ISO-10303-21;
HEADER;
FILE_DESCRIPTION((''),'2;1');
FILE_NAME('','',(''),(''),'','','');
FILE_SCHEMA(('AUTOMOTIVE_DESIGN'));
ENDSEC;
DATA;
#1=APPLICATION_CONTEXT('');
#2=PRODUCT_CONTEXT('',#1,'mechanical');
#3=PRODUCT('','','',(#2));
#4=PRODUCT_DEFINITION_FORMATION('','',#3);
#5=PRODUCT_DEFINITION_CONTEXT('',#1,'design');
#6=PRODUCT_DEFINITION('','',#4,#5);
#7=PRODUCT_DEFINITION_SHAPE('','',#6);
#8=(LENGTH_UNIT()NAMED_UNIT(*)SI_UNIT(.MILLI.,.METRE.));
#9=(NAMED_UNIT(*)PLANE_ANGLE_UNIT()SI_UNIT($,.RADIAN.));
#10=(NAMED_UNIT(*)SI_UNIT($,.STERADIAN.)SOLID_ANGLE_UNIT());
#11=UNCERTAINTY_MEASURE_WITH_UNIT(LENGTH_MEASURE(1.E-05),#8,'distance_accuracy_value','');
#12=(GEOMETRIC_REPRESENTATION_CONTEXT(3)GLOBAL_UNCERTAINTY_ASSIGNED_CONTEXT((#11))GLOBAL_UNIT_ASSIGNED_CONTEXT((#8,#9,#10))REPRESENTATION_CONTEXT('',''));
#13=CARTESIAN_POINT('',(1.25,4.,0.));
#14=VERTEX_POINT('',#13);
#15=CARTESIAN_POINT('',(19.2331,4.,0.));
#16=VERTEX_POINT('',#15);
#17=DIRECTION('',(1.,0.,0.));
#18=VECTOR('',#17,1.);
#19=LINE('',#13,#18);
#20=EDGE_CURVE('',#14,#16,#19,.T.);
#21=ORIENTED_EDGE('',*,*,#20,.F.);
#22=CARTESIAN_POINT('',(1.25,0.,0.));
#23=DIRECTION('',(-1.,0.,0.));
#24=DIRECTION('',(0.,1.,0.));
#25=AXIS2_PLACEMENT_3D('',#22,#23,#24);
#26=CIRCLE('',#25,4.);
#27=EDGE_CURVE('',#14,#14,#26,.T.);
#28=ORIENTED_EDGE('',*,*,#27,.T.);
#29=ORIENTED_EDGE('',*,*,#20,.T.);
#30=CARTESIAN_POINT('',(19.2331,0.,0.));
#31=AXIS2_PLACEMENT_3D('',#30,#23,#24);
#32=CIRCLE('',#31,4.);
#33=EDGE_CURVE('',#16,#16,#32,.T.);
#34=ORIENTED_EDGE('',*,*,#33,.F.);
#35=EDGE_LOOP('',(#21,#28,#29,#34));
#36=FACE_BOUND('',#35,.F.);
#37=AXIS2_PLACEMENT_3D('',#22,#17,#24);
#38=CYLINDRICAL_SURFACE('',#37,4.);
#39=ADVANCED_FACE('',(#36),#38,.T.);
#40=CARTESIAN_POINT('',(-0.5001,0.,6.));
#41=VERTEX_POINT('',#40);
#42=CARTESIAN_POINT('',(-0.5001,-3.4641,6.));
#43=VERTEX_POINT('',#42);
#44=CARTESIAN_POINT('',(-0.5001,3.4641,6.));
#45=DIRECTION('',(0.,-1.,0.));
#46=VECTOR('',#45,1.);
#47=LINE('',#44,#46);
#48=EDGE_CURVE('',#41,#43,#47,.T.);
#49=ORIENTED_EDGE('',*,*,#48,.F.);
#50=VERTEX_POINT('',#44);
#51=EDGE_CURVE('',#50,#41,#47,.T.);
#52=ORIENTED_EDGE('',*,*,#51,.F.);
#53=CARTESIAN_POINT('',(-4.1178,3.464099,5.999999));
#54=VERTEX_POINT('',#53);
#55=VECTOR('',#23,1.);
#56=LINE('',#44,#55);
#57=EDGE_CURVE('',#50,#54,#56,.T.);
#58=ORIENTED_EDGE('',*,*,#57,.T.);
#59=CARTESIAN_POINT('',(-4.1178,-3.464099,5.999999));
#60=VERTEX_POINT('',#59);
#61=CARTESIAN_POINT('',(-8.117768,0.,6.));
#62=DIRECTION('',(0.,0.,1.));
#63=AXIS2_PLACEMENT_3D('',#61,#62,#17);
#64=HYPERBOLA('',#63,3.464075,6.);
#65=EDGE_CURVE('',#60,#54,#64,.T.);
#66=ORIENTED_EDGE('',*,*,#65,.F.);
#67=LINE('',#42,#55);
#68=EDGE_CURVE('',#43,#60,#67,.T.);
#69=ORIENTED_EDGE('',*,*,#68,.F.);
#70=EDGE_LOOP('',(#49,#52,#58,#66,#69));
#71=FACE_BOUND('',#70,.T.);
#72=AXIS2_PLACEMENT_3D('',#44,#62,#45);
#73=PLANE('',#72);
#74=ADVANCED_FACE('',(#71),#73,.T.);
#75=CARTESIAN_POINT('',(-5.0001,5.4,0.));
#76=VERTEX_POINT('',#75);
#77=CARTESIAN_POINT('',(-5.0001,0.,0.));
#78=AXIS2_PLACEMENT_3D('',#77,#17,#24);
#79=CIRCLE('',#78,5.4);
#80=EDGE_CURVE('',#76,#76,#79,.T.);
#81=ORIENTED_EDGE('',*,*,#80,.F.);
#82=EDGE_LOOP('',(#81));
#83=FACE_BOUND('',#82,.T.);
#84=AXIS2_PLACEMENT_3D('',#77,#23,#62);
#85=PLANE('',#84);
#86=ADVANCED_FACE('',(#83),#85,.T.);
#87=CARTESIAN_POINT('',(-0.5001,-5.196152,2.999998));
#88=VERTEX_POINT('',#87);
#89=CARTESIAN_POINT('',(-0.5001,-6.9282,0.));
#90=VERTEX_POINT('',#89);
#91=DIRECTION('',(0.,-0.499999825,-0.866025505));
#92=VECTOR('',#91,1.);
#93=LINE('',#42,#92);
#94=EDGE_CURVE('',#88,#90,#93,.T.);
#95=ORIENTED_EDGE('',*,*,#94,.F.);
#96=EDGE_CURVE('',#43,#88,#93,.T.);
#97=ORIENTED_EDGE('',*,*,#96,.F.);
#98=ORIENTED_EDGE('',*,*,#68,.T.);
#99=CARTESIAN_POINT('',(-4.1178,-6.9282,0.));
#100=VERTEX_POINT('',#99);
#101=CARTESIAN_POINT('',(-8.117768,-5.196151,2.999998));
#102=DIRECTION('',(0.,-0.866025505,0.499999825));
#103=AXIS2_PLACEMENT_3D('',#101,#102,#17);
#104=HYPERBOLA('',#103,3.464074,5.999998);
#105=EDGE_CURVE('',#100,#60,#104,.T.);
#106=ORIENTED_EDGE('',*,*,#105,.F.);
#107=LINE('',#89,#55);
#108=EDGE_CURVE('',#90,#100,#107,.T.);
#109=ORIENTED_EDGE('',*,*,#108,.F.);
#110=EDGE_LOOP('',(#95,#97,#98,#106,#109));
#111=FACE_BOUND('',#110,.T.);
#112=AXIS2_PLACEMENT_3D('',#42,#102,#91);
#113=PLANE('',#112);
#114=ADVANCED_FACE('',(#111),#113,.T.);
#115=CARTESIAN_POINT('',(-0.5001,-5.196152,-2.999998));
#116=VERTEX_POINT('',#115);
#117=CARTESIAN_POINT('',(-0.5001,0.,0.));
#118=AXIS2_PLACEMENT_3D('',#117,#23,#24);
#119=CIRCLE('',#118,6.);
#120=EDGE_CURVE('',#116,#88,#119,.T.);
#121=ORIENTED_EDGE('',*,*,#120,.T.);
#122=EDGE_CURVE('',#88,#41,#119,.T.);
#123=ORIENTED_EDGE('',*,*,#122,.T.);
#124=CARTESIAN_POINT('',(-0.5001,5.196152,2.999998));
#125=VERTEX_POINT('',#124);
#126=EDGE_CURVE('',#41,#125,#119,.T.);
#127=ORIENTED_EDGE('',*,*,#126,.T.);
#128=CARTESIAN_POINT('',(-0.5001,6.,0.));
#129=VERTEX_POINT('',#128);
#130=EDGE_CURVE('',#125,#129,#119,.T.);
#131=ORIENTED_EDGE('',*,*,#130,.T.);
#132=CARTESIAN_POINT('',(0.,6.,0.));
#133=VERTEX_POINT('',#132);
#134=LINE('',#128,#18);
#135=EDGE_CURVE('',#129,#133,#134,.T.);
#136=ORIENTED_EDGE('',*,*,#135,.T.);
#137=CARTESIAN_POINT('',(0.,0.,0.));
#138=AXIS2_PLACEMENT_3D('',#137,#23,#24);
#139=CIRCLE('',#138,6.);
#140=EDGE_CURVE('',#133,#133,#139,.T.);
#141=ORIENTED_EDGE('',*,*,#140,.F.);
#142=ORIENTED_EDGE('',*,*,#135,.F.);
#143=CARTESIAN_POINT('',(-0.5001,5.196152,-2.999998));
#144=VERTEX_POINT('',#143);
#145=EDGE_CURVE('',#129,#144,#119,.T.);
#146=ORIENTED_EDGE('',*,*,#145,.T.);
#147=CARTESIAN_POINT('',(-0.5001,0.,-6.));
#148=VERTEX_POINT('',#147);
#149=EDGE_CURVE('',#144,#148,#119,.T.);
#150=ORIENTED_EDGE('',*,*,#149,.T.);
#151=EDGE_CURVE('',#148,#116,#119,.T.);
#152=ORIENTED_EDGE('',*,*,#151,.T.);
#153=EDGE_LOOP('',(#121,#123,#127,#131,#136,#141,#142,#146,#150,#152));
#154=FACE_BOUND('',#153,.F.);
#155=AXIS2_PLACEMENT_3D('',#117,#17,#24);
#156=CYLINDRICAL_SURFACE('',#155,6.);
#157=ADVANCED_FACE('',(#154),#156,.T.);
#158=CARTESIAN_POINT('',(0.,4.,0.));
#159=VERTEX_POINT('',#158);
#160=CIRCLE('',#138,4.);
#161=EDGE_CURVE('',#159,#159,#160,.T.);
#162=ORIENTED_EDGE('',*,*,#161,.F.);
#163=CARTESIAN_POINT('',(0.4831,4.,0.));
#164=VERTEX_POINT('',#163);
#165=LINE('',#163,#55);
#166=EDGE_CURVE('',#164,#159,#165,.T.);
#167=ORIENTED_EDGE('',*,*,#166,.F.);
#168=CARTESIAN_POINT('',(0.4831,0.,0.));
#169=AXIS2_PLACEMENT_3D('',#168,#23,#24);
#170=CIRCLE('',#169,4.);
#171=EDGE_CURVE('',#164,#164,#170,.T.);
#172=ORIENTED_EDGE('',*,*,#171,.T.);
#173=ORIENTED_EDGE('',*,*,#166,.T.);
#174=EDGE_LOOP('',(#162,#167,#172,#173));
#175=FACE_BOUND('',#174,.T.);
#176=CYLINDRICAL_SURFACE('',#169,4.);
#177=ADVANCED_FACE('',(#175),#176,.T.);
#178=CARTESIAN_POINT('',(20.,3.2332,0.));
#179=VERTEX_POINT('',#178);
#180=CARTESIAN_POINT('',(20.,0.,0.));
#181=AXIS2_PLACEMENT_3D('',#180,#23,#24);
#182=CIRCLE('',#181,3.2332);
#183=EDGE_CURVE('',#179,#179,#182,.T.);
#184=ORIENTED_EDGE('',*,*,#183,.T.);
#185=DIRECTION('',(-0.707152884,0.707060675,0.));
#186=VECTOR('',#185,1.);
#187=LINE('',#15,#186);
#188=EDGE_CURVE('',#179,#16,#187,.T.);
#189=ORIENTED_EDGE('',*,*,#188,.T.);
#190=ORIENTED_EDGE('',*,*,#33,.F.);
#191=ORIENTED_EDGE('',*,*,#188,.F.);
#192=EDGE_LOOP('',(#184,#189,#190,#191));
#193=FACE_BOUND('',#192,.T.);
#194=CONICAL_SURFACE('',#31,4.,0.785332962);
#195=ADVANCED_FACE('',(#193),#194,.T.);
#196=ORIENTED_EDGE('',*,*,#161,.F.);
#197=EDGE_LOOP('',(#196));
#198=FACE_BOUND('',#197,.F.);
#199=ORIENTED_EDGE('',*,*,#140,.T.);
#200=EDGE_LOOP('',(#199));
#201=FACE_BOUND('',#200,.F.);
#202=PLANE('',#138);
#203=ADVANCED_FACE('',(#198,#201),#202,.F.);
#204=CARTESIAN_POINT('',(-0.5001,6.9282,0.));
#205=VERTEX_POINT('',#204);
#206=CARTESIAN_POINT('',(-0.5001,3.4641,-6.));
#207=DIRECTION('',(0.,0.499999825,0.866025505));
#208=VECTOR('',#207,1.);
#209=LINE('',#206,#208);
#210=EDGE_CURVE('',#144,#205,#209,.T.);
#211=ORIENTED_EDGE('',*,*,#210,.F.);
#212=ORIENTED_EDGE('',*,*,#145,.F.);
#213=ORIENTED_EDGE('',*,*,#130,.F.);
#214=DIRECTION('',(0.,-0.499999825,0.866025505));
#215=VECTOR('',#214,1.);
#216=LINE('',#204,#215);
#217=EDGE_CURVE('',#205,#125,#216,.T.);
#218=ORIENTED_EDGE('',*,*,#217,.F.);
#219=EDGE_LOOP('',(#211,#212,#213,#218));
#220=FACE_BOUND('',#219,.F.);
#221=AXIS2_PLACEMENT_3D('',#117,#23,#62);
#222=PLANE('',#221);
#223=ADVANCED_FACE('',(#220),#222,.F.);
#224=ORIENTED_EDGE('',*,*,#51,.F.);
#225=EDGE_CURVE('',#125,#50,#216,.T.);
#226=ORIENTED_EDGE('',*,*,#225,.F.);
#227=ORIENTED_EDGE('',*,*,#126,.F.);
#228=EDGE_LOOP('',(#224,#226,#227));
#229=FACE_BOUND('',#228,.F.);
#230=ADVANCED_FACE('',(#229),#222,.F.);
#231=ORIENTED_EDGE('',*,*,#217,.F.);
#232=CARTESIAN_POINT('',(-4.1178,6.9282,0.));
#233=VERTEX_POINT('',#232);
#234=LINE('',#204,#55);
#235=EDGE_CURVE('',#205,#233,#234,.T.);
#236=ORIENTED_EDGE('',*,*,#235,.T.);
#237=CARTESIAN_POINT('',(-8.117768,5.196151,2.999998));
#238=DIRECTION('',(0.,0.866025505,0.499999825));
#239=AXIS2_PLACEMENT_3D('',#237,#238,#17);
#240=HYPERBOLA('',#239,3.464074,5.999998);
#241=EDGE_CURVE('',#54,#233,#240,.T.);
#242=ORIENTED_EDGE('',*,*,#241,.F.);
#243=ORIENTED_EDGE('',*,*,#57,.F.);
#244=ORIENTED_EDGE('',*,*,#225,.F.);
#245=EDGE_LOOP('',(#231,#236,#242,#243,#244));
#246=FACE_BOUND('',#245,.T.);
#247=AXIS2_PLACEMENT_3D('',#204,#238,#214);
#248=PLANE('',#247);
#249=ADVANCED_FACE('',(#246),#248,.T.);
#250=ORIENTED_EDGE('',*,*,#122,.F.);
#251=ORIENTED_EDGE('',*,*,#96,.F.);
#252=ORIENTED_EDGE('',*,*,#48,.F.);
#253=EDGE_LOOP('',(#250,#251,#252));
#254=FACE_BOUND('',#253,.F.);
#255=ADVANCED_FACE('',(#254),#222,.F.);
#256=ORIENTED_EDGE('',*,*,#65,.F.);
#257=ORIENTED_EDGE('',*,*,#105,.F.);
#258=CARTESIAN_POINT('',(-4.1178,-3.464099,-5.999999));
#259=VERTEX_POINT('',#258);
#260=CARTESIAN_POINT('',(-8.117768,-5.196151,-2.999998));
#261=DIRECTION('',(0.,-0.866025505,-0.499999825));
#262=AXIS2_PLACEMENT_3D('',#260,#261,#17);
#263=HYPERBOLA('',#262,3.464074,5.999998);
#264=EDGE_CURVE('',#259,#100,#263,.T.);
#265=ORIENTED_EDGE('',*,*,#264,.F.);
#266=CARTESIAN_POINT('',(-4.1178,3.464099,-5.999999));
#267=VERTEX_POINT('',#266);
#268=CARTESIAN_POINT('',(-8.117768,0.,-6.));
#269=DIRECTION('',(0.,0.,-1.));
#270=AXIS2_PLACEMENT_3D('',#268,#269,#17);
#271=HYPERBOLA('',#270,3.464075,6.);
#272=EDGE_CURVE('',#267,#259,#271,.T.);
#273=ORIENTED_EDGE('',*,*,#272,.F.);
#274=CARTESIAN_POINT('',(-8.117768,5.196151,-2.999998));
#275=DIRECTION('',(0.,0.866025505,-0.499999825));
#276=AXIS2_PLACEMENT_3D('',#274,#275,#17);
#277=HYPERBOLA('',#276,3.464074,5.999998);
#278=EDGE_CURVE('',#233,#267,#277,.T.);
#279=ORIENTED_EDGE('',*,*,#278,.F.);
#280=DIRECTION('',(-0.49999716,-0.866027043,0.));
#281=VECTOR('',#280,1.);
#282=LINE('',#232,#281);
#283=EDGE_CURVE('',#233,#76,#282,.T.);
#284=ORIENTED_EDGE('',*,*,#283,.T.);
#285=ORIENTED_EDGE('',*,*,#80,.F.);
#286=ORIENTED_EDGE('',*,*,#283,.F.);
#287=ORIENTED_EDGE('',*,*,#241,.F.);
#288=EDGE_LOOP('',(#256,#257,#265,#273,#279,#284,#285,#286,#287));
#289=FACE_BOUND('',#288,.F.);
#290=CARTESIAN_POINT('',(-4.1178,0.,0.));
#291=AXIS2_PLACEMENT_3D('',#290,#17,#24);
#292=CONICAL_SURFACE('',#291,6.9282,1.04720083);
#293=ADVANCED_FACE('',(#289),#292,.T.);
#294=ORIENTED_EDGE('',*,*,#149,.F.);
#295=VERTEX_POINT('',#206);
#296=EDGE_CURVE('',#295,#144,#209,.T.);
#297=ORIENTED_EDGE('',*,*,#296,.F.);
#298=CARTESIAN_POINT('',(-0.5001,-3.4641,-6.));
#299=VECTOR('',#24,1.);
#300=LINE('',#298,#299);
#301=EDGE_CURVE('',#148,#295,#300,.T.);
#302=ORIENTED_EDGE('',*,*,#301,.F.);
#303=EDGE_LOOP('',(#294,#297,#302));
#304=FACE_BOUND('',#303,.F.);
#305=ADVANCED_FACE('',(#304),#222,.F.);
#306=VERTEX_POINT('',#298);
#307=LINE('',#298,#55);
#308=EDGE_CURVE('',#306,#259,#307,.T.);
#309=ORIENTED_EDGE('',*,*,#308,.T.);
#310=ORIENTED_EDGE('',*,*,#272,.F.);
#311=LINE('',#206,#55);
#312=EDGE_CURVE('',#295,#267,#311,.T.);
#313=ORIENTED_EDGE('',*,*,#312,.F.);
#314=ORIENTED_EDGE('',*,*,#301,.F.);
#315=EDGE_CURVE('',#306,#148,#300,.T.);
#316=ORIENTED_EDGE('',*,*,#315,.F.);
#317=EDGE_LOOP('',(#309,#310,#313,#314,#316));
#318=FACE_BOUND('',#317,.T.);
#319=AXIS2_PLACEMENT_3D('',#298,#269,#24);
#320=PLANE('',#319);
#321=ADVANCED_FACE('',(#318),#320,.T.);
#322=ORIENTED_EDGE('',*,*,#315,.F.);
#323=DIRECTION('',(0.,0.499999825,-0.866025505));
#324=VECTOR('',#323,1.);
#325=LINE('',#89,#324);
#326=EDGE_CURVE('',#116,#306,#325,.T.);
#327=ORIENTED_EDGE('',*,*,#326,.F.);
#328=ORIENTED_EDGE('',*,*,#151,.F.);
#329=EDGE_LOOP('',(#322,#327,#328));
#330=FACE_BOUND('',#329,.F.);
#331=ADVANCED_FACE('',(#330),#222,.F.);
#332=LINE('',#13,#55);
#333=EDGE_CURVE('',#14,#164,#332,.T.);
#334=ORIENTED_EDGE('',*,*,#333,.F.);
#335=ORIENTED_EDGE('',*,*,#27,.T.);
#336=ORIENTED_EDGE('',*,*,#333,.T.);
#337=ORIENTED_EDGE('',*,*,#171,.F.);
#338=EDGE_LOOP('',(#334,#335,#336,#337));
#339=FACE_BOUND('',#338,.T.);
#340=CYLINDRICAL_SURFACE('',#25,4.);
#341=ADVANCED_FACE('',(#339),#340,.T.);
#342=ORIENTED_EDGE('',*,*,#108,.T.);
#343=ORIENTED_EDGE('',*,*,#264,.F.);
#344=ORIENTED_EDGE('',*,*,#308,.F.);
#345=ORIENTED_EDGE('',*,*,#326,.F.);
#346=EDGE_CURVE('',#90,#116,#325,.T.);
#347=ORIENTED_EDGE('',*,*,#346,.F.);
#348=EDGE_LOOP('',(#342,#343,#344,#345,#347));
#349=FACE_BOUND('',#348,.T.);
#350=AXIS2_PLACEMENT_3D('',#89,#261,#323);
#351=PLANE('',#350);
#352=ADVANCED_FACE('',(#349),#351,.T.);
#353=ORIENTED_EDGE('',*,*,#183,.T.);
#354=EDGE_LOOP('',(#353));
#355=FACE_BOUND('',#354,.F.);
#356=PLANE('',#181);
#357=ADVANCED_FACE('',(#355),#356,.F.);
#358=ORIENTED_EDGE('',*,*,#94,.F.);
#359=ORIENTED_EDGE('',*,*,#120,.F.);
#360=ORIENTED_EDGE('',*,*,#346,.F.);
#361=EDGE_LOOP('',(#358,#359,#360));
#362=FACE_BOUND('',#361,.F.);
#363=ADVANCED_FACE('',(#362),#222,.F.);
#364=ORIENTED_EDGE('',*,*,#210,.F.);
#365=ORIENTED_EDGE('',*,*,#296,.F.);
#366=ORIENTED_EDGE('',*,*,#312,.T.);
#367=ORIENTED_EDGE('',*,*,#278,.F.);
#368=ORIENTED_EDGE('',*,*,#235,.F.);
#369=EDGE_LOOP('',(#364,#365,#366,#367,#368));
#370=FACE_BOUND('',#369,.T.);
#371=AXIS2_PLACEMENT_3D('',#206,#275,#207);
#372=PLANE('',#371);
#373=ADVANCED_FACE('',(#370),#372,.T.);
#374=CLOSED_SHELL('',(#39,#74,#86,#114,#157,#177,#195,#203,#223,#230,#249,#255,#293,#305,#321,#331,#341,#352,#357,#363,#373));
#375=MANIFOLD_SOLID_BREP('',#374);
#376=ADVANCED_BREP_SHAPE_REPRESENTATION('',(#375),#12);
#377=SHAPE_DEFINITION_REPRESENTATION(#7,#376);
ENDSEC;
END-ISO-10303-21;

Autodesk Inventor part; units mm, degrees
ref_plane "YZ Plane" through (0, 0, 0) normal (1, 0, 0) x (0, 1, 0)
ref_plane "XZ Plane" through (0, 0, 0) normal (0, 1, 0) x (-1, 0, 0)
sketch "Эскиз1" plane through (0, 0, 0) normal (0, 0, 1) x (1, 0, 0)
  line L0 (0, 6) -> (0, 4)
  line L1 (1.25, 4) -> (20, 4)
  line L2 (20, 4) -> (20, 0)
  line L3 (20, 0) -> (-0.5001, 0)
  line L4 (-4.6001, 0) -> (24.1, 0) projected
  line L5 (-0.5001, 0) -> (-0.5001, 6)
  line L6 (-0.5001, 6) -> (0, 6)
  line L7 (1.25, 4) -> (0.4831, 4)
  line L8 (0.4831, 4) -> (0, 4)
  line L9 (0, -1.2) -> (0, 7.2) projected
  dimension "d0" = 20
  dimension "d1" = 18.75
  dimension "d2" = 8
  dimension "d9" = 0.5001
  dimension "d10" = 12
  dimension "d13" = 0.7669
  dimension "d14" = 8
revolve "Базовый элемент" add sketch "Эскиз1" angle 360 about axis through (20, 0, 0) along (-1, 0, 0)
sketch "Эскиз2" plane through (-0.5001, 0, 0) normal (-1, 0, 0) x (0, 0, 1)
  line L0 (0, 6.9282) -> (6, 3.4641)
  line L1 (6, 3.4641) -> (6, -3.4641)
  line L2 (6, -3.4641) -> (0, -6.9282)
  line L3 (0, -6.9282) -> (-6, -3.4641)
  line L4 (-6, -3.4641) -> (-6, 3.4641)
  line L5 (-6, 3.4641) -> (0, 6.9282)
  point P0 (0, 0)
  point P1 (0, 0)
  dimension "d11" = 12
extrude "С головкой" add sketch "Эскиз2" along normal blind 4.5
sketch "Эскиз4" plane through (0, 0, 0) normal (0, 0, 1) x (1, 0, 0)
  line L0 (-5.0001, 5.4) -> (-5.0001, 6.9282)
  line L1 (-5.0001, 6.9282) -> (-4.1178, 6.9282)
  line L2 (-4.1178, 6.9282) -> (-5.0001, 5.4)
  line L3 (-5.9001, 0) -> (0.3999, 0) projected
  line L4 (-0.5001, 6.9282) -> (-5.0001, 6.9282) projected
  line L5 (-5.0001, 3.4641) -> (-5.0001, 6.9282) projected
  dimension "d5" = 30
  dimension "d19" = 10.8
revolve "Фаска1" cut sketch "Эскиз4" angle 360 about axis through (-10, 0, 0) along (1, 0, 0)
thread "Резьба" size "M8x1.25" class "6g" standard "ISO Metric profile" length 18.75
chamfer "Фаска2" distance 0.7668 distance2 0.7669 1 edges at (20, -4, 0) measured on face at (20, 1.3194, 0.8842)
ref_plane "Work Plane1" through (1.525, 0, 0) normal (0, 0, 1) x (1, 0, 0)
equation "\"d0\" = NLG"
equation "\"d1\" = GEL"
equation "\"d2\" = GD"
equation "\"d10\" = SD2"
equation "\"d14\" = BDM"
equation "\"d11\" = SW"
equation "\"d3\" = KOH - SD"
equation "\"d5\" = ANG1"
equation "\"d19\" = SW0"
equation "\"d15\" = GEL"
equation "\"d6\" = -0.5 * SPD + 0.5 * GD"
equation "\"NLG\" = 20"
equation "\"GD\" = NND"
equation "\"BDM\" = NND"
equation "\"KOH\" = 5"
equation "\"GEL\" = 18.75"
equation "\"SW\" = 12"
equation "\"SW0\" = 10.8"
equation "\"SPD\" = NND - 1.2269 * PTC"
equation "\"SD2\" = SW"
equation "\"SD\" = 0.5"
equation "\"ANG1\" = 30deg"
equation "\"GAL\" = 0.61345 * PTC"
equation "\"GUL\" = 0.61345 * PTC"
equation "\"RR\" = 0.1"
equation "\"GD1\" = THREADDIA - 1.2269 * PTC"
equation "\"THREADDIA\" = 8"
equation "\"TOA\" = 30deg"
equation "\"PTC\" = 1.25"
equation "\"NND\" = 8"
equation "\"E0\" = 1.155 * SW"
properties part number "Болт M8-6gx20 ГОСТ 7808-70" material "Сталь, мягкая"
